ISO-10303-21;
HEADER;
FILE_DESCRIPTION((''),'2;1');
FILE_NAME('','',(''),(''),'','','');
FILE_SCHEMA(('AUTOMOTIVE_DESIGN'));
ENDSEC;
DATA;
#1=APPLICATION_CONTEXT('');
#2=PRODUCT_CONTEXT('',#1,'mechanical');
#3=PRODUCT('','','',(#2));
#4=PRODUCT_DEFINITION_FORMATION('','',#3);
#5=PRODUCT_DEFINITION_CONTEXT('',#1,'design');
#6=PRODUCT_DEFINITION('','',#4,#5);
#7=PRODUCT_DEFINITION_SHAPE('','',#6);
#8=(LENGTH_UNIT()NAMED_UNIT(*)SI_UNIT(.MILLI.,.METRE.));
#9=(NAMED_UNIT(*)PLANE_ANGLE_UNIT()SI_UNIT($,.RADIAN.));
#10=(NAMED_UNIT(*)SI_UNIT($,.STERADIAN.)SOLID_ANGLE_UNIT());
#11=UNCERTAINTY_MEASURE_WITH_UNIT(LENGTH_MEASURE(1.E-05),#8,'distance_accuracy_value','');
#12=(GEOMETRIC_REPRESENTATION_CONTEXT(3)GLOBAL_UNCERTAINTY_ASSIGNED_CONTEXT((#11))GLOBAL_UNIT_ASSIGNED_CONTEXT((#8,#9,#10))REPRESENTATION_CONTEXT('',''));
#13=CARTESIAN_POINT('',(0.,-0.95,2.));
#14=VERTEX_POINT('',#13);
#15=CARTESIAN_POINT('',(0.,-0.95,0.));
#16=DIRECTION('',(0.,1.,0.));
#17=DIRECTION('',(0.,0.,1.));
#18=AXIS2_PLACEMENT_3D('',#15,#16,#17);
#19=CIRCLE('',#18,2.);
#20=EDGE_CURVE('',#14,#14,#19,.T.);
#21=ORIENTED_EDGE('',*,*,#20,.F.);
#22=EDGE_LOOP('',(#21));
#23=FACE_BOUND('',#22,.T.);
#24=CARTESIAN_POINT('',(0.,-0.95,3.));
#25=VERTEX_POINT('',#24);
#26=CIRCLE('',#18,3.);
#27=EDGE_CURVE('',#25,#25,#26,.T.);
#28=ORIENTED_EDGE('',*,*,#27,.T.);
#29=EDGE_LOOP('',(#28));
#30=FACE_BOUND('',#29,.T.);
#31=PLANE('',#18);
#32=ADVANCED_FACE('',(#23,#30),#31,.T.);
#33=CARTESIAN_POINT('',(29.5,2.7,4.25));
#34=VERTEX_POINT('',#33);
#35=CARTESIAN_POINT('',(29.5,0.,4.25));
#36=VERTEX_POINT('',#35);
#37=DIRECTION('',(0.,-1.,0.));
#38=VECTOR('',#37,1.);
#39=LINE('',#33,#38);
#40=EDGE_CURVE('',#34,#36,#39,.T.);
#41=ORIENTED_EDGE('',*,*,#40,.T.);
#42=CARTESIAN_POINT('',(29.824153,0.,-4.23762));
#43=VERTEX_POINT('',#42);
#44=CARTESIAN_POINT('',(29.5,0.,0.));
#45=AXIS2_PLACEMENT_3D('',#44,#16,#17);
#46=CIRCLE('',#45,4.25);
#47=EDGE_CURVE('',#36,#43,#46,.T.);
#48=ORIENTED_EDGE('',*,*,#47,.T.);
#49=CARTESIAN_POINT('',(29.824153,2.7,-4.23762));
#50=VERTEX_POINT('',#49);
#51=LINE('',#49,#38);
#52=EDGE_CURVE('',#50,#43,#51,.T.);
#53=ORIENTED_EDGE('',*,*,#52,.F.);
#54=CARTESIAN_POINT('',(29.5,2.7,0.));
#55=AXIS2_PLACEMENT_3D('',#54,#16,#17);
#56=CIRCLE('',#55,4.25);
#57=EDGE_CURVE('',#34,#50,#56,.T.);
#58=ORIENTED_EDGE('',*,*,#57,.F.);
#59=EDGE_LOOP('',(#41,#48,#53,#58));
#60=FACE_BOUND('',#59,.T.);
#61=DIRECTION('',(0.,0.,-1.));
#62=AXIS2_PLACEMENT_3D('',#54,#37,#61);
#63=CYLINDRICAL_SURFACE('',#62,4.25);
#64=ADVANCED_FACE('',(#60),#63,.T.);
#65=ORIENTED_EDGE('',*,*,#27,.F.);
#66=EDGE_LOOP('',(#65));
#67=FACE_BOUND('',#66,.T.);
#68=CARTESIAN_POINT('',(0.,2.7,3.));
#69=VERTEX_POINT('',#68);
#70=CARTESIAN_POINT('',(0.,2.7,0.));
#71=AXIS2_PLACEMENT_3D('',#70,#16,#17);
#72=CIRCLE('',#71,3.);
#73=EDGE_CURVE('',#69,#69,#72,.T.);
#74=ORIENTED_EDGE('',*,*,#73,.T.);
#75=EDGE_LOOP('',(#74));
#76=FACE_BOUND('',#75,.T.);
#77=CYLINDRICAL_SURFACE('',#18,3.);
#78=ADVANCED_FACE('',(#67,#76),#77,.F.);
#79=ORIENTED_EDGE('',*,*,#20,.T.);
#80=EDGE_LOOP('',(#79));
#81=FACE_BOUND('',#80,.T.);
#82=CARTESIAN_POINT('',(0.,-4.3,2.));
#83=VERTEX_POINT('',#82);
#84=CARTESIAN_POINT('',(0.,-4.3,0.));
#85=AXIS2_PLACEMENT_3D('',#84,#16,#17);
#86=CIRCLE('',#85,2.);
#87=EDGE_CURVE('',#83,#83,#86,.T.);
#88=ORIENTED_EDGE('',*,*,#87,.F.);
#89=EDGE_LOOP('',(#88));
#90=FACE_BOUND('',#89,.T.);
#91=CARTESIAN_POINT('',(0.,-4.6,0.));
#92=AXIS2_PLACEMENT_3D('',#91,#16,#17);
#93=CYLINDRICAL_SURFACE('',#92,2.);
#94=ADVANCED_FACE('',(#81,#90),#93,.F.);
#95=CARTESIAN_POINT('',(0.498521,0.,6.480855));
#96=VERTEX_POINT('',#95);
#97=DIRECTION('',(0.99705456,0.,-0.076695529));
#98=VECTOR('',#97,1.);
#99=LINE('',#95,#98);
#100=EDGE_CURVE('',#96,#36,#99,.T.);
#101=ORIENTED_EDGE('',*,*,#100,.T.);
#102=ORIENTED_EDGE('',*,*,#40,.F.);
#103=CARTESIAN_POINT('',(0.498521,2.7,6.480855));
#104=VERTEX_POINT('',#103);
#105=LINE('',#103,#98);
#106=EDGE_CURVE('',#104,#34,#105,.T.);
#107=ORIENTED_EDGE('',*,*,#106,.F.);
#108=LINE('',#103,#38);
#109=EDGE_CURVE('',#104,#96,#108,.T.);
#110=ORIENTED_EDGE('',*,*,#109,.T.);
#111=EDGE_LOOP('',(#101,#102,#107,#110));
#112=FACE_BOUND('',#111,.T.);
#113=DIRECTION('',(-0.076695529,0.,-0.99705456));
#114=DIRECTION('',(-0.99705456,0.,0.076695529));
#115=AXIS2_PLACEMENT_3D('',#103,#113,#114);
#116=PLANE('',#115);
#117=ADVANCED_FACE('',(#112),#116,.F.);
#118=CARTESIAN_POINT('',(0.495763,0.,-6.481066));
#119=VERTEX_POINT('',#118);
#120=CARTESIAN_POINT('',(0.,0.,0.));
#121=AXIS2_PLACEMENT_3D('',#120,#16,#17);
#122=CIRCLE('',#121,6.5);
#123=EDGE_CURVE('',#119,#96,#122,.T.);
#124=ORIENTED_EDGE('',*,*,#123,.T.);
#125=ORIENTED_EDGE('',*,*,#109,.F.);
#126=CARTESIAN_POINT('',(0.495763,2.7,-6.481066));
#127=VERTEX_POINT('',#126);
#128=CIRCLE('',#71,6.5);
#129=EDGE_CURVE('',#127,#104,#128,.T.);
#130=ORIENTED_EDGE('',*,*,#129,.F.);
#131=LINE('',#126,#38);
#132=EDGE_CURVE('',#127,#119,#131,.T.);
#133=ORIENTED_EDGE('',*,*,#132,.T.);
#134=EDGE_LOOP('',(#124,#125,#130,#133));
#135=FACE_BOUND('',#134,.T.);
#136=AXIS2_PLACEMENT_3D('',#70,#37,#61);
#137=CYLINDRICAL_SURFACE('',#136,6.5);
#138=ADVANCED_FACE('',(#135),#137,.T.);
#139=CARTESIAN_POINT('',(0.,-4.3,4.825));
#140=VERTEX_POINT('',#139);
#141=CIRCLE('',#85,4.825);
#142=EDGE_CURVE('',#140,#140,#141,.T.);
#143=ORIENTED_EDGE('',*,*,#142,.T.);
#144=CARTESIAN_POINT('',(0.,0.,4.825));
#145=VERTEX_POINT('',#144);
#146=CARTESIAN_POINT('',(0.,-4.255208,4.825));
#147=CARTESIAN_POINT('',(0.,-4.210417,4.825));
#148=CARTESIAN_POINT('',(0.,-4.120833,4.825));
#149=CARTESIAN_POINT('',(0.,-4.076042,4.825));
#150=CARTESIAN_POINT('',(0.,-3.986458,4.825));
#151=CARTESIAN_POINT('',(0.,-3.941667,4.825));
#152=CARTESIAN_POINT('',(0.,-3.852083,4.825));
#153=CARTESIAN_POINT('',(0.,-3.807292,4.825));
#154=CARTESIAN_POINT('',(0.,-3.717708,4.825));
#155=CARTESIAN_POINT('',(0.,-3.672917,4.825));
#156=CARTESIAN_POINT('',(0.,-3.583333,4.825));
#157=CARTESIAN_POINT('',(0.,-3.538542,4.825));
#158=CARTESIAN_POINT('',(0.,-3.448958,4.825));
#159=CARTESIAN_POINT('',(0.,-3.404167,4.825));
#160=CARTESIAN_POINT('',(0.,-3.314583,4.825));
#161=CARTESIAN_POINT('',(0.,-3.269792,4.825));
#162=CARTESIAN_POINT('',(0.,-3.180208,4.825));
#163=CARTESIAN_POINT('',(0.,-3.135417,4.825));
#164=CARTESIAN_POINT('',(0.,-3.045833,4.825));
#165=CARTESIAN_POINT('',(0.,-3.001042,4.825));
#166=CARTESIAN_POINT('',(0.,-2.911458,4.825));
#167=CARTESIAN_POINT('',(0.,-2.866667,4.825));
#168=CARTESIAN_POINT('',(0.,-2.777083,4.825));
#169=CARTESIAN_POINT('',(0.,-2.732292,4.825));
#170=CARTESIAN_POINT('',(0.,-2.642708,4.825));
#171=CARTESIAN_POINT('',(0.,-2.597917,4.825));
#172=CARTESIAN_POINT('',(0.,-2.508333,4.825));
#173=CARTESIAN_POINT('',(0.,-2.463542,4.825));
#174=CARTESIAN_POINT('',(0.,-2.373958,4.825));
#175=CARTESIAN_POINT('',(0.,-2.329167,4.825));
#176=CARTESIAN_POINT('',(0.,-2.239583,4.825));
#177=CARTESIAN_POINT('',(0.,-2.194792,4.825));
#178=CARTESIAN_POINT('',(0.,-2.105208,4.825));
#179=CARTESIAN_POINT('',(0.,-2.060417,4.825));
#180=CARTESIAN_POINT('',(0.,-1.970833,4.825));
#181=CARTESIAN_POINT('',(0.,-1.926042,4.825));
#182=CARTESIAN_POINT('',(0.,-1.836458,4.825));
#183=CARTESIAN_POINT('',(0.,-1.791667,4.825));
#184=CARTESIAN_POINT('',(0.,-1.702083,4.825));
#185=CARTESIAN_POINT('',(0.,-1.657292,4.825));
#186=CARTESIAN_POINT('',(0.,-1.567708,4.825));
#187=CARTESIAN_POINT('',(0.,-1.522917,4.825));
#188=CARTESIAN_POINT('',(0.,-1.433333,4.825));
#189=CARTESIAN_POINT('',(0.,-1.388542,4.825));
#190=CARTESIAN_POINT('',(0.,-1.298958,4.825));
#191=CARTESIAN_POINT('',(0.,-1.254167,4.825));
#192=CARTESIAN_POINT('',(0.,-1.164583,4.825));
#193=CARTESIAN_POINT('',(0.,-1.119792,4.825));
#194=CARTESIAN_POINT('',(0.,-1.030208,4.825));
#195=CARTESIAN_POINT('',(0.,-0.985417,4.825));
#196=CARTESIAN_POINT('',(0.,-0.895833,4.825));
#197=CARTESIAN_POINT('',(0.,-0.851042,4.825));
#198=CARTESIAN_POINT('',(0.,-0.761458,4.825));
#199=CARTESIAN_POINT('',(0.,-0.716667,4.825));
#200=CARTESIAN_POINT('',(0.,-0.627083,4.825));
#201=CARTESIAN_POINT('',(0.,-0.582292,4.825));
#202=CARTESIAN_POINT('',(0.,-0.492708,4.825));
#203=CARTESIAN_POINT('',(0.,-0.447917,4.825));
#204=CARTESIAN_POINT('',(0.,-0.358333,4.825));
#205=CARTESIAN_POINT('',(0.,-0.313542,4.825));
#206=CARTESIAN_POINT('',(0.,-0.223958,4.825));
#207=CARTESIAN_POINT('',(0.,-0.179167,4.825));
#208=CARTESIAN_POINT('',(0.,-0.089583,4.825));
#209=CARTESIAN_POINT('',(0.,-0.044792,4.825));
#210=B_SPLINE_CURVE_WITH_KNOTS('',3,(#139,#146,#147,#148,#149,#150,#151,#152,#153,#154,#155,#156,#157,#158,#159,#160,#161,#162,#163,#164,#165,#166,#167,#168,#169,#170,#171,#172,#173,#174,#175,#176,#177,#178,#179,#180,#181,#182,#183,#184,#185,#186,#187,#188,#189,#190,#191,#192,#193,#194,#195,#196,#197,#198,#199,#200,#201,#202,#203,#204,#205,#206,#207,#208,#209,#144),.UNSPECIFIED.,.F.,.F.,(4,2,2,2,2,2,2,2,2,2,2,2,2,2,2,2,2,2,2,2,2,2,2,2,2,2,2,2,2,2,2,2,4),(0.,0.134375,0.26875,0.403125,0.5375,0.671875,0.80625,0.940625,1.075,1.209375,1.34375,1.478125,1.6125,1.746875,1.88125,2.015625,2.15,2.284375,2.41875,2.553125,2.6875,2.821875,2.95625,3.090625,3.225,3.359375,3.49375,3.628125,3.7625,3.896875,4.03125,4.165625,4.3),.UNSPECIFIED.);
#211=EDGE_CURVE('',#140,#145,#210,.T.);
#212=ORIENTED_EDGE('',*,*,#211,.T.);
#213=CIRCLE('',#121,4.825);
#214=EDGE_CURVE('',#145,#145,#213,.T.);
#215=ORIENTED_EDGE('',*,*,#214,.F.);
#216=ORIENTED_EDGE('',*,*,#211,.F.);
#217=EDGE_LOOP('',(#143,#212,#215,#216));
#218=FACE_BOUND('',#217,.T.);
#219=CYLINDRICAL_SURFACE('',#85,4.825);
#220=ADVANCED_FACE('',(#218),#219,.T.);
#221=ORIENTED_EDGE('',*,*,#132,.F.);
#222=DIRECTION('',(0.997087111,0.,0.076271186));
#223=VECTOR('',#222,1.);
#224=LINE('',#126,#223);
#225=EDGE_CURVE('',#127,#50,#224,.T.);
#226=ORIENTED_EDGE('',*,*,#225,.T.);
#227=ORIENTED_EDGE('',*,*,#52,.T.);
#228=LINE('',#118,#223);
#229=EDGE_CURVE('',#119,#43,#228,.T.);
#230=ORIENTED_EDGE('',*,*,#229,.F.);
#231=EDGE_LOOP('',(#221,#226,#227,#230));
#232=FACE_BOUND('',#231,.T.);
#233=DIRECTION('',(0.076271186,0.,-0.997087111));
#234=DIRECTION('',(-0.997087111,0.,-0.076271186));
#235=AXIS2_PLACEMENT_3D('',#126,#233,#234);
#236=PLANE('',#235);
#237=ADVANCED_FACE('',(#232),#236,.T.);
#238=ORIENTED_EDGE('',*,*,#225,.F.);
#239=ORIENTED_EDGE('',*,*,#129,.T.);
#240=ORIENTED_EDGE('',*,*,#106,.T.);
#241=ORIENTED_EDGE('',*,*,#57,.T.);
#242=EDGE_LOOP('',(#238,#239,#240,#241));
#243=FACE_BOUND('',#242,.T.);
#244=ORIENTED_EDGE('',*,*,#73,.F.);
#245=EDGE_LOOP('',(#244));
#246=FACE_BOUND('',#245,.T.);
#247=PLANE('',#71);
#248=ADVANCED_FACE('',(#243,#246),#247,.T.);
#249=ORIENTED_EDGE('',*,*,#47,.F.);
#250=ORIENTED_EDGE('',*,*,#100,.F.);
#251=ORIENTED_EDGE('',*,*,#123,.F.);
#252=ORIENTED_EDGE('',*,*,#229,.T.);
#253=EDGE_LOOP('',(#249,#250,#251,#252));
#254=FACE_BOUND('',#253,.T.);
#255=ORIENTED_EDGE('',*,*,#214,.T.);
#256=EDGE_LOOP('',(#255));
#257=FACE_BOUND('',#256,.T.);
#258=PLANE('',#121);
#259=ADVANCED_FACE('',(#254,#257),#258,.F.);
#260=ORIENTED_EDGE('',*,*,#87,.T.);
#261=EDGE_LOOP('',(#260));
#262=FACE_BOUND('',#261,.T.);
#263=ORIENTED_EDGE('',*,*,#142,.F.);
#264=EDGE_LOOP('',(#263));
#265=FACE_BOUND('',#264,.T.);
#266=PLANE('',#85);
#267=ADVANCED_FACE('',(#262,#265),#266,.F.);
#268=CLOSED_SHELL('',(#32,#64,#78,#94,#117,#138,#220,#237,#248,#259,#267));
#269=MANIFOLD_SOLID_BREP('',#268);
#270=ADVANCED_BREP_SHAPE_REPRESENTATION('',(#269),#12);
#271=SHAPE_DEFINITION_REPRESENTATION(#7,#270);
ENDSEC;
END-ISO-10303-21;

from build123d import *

# Parameters (mm, degrees)
RESSALTO_EXTRUS_O1_DEPTH = 2.7
ESBO_O1_6_R              = 4.825
RESSALTO_EXTRUS_O2_DEPTH = 4.3
ESBO_O4_R                = 3
CORTE_EXTRUS_O1_DEPTH    = 3.65
ESBO_O5_R                = 2
CORTE_EXTRUS_O2_DEPTH    = 3.65


with BuildPart() as part:
    # Esboço1 → Ressalto-extrusão1 (new body)
    with BuildSketch(Plane(origin=(0, 0, 0), x_dir=(1, 0, 0), z_dir=(0, 1, 0))):
        with BuildLine():
            Line((0.495762712, 6.481066219), (29.824152542, 4.23762022))
            ThreePointArc((29.824152542, 4.23762022), (33.746903927, -0.162194428), (29.5, -4.25))
            Line((29.5, -4.25), (0.498520942, -6.48085464))
            ThreePointArc((0.498520942, -6.48085464), (-6.499999853, -0.001383166), (0.495762712, 6.481066219))
        make_face()
    extrude(amount=RESSALTO_EXTRUS_O1_DEPTH)

    # Esboço1<6> → Ressalto-extrusão2 (add)
    with BuildSketch(Plane(origin=(0, 0, 0), x_dir=(1, 0, 0), z_dir=(0, 1, 0))):
        Circle(ESBO_O1_6_R)
    extrude(amount=-RESSALTO_EXTRUS_O2_DEPTH)

    # Esboço4 → Corte-extrusão1 (cut)
    with BuildSketch(Plane(origin=(0, 2.7, 0), x_dir=(1, 0, 0), z_dir=(0, 1, 0))):
        Circle(ESBO_O4_R)
    extrude(amount=-CORTE_EXTRUS_O1_DEPTH, mode=Mode.SUBTRACT)

    # Esboço5 → Corte-extrusão2 (cut)
    with BuildSketch(Plane(origin=(0, -0.95, 0), x_dir=(1, 0, 0), z_dir=(0, 1, 0))):
        Circle(ESBO_O5_R)
    extrude(amount=-CORTE_EXTRUS_O2_DEPTH, mode=Mode.SUBTRACT)


solid = part.part
